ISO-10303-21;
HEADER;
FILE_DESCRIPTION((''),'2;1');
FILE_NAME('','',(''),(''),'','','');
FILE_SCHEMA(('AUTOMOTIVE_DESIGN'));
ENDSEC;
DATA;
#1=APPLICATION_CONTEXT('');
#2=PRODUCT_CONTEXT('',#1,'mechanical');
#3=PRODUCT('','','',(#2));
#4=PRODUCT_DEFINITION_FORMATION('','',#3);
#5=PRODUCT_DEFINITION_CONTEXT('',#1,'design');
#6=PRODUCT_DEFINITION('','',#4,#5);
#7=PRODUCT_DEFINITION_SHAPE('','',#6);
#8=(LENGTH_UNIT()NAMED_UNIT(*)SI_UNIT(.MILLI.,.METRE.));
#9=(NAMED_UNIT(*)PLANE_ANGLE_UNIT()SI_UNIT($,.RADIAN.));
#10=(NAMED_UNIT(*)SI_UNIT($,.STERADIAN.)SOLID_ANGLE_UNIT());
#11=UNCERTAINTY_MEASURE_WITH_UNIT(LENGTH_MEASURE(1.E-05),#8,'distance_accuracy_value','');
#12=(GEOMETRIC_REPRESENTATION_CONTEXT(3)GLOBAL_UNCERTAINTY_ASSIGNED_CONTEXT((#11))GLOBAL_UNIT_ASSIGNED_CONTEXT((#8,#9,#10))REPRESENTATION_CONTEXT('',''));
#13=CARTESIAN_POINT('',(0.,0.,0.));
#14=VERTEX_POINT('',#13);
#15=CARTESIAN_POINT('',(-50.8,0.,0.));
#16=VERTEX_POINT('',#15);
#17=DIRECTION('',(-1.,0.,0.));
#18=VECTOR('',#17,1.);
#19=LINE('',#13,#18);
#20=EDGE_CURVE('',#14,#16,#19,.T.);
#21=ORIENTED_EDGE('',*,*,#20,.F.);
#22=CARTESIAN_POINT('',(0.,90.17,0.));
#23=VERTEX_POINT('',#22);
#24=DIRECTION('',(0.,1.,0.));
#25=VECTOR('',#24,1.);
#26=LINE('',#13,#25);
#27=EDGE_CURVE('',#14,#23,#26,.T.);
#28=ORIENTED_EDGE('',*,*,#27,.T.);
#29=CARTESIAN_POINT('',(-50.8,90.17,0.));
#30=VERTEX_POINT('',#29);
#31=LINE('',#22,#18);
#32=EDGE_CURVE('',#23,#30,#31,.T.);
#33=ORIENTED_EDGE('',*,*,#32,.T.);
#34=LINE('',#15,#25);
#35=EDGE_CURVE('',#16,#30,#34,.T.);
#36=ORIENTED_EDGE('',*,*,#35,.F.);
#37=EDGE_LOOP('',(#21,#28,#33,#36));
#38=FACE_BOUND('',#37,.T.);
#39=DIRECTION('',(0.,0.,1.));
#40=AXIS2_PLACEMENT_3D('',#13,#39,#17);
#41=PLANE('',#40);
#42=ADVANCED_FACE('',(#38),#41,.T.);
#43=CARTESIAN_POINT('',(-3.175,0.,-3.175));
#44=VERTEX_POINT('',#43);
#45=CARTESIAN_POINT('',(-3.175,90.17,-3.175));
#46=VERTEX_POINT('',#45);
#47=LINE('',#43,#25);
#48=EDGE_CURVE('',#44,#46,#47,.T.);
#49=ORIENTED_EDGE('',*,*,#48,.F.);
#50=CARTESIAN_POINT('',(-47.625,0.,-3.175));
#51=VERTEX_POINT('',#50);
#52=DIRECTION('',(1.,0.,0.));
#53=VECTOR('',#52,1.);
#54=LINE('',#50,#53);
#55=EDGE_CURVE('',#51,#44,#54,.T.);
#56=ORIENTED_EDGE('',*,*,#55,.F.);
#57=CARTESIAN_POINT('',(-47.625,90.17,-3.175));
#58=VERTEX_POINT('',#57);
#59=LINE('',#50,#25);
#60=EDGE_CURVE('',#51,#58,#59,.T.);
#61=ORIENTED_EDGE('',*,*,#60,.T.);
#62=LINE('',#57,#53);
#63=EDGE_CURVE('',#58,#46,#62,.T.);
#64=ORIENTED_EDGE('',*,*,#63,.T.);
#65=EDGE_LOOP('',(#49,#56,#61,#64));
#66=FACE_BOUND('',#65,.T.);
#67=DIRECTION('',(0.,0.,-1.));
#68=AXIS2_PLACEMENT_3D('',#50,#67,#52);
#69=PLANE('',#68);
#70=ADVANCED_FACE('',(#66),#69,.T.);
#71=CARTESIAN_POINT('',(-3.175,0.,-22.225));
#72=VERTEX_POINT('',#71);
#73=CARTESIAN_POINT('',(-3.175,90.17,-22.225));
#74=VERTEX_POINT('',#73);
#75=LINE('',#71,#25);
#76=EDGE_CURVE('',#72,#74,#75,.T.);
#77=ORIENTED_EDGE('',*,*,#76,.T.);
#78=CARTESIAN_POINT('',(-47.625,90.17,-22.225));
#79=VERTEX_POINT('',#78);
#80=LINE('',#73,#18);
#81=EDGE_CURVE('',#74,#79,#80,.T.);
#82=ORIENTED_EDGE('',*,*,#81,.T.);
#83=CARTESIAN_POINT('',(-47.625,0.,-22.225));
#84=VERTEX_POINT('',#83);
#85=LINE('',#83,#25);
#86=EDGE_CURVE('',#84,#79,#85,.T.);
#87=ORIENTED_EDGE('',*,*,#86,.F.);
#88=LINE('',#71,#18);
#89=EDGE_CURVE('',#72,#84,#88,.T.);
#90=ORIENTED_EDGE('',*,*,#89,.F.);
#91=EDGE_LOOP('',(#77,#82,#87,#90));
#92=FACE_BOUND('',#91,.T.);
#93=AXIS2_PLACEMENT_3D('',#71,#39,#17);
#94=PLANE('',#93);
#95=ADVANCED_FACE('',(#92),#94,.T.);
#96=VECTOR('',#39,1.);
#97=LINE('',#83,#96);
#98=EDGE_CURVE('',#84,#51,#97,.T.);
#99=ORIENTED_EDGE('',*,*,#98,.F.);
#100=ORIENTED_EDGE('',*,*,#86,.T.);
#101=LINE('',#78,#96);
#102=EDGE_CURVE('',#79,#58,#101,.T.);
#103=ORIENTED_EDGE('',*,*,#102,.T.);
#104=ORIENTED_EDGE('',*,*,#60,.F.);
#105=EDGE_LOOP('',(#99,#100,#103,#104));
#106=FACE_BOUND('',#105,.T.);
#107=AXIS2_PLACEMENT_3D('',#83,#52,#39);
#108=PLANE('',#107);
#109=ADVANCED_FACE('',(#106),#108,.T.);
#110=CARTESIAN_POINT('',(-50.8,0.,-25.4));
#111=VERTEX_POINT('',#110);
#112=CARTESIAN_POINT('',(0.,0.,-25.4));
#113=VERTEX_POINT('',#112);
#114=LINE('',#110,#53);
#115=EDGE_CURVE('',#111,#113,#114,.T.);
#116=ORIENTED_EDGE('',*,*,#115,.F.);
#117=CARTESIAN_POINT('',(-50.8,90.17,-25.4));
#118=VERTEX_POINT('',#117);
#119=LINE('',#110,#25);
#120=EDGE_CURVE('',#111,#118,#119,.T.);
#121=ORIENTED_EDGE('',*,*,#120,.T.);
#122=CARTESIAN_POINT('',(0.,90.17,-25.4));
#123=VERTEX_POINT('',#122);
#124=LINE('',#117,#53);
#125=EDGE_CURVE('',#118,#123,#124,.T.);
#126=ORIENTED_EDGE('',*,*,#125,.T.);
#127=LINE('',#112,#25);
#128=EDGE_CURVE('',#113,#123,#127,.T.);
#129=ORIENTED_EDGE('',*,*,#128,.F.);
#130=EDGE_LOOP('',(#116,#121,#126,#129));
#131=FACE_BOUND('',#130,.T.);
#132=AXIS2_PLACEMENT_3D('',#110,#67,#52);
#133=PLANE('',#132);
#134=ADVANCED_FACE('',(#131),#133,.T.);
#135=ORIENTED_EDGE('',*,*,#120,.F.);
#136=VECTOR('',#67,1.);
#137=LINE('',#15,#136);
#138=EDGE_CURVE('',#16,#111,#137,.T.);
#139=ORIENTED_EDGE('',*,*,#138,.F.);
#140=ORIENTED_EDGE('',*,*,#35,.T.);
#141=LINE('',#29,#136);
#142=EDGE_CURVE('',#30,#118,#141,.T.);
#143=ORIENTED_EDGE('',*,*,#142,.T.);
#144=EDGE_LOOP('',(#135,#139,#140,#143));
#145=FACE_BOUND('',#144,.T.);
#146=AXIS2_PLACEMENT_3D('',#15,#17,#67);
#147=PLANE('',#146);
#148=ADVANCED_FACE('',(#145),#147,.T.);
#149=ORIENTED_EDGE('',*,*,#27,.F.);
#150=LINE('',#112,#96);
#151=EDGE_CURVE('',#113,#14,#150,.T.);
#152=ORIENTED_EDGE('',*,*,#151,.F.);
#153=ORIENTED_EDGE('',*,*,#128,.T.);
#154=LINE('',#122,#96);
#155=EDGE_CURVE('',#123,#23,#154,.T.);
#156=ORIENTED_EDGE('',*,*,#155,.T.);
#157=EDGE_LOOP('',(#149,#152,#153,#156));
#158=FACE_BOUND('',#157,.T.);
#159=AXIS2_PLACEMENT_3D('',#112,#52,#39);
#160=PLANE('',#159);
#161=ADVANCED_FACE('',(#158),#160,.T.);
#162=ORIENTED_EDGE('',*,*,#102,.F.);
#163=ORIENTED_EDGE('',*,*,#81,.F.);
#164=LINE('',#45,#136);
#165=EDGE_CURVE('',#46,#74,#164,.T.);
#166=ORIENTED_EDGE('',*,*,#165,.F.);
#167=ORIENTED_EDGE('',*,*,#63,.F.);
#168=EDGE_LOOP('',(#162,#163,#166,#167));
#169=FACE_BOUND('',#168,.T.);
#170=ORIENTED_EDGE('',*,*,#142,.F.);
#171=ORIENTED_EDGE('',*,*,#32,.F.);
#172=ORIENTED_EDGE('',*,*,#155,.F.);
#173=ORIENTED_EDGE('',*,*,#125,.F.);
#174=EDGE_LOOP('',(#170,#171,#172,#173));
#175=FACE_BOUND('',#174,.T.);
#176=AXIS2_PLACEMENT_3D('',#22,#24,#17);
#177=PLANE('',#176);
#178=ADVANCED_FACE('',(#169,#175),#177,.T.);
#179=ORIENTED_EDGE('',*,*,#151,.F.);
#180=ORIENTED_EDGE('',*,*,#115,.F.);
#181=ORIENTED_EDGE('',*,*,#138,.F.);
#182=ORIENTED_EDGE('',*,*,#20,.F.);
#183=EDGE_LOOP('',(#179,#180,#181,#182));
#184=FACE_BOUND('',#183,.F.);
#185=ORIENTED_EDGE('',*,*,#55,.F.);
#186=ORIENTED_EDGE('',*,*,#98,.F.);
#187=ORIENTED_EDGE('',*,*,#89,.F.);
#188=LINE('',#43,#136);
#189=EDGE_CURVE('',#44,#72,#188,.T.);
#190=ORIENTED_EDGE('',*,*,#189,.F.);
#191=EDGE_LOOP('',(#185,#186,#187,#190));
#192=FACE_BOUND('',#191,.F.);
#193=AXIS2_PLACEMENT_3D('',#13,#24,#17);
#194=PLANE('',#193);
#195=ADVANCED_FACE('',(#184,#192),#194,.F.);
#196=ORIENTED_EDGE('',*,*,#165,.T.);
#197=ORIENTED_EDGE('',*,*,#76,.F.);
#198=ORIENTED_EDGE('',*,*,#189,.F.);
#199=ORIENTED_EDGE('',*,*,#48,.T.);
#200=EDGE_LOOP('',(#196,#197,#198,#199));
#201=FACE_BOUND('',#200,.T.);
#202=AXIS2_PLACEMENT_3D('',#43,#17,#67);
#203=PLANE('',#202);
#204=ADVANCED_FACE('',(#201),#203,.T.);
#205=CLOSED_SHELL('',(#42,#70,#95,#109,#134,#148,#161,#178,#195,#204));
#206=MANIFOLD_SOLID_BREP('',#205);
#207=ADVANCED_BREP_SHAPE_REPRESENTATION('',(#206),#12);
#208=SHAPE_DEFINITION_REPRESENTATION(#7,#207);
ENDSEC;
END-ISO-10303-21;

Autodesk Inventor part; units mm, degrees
ref_plane "YZ Plane" through (0, 0, 0) normal (1, 0, 0) x (0, 1, 0)
ref_plane "XZ Plane" through (0, 0, 0) normal (0, 1, 0) x (-1, 0, 0)
ref_plane "XY Plane" through (0, 0, 0) normal (0, 0, 1) x (1, 0, 0)
sketch "Sketch1" plane through (0, 0, 0) normal (0, 1, 0) x (-1, 0, 0)
  line L0 (0, 0) -> (50.8, 0)
  line L1 (50.8, 0) -> (50.8, -25.4)
  line L2 (50.8, -25.4) -> (0, -25.4)
  line L3 (0, -25.4) -> (0, 0)
  line L4 (47.625, -3.175) -> (3.175, -3.175)
  line L5 (3.175, -3.175) -> (3.175, -22.225)
  line L6 (3.175, -22.225) -> (47.625, -22.225)
  line L7 (47.625, -22.225) -> (47.625, -3.175)
  dimension "d0" = 50.8
  dimension "d1" = 25.4
  dimension "d2" = 3.175
extrude "Extrusion1" add sketch "Sketch1" along normal blind 90.17
properties part number "1X2- bumper support"
